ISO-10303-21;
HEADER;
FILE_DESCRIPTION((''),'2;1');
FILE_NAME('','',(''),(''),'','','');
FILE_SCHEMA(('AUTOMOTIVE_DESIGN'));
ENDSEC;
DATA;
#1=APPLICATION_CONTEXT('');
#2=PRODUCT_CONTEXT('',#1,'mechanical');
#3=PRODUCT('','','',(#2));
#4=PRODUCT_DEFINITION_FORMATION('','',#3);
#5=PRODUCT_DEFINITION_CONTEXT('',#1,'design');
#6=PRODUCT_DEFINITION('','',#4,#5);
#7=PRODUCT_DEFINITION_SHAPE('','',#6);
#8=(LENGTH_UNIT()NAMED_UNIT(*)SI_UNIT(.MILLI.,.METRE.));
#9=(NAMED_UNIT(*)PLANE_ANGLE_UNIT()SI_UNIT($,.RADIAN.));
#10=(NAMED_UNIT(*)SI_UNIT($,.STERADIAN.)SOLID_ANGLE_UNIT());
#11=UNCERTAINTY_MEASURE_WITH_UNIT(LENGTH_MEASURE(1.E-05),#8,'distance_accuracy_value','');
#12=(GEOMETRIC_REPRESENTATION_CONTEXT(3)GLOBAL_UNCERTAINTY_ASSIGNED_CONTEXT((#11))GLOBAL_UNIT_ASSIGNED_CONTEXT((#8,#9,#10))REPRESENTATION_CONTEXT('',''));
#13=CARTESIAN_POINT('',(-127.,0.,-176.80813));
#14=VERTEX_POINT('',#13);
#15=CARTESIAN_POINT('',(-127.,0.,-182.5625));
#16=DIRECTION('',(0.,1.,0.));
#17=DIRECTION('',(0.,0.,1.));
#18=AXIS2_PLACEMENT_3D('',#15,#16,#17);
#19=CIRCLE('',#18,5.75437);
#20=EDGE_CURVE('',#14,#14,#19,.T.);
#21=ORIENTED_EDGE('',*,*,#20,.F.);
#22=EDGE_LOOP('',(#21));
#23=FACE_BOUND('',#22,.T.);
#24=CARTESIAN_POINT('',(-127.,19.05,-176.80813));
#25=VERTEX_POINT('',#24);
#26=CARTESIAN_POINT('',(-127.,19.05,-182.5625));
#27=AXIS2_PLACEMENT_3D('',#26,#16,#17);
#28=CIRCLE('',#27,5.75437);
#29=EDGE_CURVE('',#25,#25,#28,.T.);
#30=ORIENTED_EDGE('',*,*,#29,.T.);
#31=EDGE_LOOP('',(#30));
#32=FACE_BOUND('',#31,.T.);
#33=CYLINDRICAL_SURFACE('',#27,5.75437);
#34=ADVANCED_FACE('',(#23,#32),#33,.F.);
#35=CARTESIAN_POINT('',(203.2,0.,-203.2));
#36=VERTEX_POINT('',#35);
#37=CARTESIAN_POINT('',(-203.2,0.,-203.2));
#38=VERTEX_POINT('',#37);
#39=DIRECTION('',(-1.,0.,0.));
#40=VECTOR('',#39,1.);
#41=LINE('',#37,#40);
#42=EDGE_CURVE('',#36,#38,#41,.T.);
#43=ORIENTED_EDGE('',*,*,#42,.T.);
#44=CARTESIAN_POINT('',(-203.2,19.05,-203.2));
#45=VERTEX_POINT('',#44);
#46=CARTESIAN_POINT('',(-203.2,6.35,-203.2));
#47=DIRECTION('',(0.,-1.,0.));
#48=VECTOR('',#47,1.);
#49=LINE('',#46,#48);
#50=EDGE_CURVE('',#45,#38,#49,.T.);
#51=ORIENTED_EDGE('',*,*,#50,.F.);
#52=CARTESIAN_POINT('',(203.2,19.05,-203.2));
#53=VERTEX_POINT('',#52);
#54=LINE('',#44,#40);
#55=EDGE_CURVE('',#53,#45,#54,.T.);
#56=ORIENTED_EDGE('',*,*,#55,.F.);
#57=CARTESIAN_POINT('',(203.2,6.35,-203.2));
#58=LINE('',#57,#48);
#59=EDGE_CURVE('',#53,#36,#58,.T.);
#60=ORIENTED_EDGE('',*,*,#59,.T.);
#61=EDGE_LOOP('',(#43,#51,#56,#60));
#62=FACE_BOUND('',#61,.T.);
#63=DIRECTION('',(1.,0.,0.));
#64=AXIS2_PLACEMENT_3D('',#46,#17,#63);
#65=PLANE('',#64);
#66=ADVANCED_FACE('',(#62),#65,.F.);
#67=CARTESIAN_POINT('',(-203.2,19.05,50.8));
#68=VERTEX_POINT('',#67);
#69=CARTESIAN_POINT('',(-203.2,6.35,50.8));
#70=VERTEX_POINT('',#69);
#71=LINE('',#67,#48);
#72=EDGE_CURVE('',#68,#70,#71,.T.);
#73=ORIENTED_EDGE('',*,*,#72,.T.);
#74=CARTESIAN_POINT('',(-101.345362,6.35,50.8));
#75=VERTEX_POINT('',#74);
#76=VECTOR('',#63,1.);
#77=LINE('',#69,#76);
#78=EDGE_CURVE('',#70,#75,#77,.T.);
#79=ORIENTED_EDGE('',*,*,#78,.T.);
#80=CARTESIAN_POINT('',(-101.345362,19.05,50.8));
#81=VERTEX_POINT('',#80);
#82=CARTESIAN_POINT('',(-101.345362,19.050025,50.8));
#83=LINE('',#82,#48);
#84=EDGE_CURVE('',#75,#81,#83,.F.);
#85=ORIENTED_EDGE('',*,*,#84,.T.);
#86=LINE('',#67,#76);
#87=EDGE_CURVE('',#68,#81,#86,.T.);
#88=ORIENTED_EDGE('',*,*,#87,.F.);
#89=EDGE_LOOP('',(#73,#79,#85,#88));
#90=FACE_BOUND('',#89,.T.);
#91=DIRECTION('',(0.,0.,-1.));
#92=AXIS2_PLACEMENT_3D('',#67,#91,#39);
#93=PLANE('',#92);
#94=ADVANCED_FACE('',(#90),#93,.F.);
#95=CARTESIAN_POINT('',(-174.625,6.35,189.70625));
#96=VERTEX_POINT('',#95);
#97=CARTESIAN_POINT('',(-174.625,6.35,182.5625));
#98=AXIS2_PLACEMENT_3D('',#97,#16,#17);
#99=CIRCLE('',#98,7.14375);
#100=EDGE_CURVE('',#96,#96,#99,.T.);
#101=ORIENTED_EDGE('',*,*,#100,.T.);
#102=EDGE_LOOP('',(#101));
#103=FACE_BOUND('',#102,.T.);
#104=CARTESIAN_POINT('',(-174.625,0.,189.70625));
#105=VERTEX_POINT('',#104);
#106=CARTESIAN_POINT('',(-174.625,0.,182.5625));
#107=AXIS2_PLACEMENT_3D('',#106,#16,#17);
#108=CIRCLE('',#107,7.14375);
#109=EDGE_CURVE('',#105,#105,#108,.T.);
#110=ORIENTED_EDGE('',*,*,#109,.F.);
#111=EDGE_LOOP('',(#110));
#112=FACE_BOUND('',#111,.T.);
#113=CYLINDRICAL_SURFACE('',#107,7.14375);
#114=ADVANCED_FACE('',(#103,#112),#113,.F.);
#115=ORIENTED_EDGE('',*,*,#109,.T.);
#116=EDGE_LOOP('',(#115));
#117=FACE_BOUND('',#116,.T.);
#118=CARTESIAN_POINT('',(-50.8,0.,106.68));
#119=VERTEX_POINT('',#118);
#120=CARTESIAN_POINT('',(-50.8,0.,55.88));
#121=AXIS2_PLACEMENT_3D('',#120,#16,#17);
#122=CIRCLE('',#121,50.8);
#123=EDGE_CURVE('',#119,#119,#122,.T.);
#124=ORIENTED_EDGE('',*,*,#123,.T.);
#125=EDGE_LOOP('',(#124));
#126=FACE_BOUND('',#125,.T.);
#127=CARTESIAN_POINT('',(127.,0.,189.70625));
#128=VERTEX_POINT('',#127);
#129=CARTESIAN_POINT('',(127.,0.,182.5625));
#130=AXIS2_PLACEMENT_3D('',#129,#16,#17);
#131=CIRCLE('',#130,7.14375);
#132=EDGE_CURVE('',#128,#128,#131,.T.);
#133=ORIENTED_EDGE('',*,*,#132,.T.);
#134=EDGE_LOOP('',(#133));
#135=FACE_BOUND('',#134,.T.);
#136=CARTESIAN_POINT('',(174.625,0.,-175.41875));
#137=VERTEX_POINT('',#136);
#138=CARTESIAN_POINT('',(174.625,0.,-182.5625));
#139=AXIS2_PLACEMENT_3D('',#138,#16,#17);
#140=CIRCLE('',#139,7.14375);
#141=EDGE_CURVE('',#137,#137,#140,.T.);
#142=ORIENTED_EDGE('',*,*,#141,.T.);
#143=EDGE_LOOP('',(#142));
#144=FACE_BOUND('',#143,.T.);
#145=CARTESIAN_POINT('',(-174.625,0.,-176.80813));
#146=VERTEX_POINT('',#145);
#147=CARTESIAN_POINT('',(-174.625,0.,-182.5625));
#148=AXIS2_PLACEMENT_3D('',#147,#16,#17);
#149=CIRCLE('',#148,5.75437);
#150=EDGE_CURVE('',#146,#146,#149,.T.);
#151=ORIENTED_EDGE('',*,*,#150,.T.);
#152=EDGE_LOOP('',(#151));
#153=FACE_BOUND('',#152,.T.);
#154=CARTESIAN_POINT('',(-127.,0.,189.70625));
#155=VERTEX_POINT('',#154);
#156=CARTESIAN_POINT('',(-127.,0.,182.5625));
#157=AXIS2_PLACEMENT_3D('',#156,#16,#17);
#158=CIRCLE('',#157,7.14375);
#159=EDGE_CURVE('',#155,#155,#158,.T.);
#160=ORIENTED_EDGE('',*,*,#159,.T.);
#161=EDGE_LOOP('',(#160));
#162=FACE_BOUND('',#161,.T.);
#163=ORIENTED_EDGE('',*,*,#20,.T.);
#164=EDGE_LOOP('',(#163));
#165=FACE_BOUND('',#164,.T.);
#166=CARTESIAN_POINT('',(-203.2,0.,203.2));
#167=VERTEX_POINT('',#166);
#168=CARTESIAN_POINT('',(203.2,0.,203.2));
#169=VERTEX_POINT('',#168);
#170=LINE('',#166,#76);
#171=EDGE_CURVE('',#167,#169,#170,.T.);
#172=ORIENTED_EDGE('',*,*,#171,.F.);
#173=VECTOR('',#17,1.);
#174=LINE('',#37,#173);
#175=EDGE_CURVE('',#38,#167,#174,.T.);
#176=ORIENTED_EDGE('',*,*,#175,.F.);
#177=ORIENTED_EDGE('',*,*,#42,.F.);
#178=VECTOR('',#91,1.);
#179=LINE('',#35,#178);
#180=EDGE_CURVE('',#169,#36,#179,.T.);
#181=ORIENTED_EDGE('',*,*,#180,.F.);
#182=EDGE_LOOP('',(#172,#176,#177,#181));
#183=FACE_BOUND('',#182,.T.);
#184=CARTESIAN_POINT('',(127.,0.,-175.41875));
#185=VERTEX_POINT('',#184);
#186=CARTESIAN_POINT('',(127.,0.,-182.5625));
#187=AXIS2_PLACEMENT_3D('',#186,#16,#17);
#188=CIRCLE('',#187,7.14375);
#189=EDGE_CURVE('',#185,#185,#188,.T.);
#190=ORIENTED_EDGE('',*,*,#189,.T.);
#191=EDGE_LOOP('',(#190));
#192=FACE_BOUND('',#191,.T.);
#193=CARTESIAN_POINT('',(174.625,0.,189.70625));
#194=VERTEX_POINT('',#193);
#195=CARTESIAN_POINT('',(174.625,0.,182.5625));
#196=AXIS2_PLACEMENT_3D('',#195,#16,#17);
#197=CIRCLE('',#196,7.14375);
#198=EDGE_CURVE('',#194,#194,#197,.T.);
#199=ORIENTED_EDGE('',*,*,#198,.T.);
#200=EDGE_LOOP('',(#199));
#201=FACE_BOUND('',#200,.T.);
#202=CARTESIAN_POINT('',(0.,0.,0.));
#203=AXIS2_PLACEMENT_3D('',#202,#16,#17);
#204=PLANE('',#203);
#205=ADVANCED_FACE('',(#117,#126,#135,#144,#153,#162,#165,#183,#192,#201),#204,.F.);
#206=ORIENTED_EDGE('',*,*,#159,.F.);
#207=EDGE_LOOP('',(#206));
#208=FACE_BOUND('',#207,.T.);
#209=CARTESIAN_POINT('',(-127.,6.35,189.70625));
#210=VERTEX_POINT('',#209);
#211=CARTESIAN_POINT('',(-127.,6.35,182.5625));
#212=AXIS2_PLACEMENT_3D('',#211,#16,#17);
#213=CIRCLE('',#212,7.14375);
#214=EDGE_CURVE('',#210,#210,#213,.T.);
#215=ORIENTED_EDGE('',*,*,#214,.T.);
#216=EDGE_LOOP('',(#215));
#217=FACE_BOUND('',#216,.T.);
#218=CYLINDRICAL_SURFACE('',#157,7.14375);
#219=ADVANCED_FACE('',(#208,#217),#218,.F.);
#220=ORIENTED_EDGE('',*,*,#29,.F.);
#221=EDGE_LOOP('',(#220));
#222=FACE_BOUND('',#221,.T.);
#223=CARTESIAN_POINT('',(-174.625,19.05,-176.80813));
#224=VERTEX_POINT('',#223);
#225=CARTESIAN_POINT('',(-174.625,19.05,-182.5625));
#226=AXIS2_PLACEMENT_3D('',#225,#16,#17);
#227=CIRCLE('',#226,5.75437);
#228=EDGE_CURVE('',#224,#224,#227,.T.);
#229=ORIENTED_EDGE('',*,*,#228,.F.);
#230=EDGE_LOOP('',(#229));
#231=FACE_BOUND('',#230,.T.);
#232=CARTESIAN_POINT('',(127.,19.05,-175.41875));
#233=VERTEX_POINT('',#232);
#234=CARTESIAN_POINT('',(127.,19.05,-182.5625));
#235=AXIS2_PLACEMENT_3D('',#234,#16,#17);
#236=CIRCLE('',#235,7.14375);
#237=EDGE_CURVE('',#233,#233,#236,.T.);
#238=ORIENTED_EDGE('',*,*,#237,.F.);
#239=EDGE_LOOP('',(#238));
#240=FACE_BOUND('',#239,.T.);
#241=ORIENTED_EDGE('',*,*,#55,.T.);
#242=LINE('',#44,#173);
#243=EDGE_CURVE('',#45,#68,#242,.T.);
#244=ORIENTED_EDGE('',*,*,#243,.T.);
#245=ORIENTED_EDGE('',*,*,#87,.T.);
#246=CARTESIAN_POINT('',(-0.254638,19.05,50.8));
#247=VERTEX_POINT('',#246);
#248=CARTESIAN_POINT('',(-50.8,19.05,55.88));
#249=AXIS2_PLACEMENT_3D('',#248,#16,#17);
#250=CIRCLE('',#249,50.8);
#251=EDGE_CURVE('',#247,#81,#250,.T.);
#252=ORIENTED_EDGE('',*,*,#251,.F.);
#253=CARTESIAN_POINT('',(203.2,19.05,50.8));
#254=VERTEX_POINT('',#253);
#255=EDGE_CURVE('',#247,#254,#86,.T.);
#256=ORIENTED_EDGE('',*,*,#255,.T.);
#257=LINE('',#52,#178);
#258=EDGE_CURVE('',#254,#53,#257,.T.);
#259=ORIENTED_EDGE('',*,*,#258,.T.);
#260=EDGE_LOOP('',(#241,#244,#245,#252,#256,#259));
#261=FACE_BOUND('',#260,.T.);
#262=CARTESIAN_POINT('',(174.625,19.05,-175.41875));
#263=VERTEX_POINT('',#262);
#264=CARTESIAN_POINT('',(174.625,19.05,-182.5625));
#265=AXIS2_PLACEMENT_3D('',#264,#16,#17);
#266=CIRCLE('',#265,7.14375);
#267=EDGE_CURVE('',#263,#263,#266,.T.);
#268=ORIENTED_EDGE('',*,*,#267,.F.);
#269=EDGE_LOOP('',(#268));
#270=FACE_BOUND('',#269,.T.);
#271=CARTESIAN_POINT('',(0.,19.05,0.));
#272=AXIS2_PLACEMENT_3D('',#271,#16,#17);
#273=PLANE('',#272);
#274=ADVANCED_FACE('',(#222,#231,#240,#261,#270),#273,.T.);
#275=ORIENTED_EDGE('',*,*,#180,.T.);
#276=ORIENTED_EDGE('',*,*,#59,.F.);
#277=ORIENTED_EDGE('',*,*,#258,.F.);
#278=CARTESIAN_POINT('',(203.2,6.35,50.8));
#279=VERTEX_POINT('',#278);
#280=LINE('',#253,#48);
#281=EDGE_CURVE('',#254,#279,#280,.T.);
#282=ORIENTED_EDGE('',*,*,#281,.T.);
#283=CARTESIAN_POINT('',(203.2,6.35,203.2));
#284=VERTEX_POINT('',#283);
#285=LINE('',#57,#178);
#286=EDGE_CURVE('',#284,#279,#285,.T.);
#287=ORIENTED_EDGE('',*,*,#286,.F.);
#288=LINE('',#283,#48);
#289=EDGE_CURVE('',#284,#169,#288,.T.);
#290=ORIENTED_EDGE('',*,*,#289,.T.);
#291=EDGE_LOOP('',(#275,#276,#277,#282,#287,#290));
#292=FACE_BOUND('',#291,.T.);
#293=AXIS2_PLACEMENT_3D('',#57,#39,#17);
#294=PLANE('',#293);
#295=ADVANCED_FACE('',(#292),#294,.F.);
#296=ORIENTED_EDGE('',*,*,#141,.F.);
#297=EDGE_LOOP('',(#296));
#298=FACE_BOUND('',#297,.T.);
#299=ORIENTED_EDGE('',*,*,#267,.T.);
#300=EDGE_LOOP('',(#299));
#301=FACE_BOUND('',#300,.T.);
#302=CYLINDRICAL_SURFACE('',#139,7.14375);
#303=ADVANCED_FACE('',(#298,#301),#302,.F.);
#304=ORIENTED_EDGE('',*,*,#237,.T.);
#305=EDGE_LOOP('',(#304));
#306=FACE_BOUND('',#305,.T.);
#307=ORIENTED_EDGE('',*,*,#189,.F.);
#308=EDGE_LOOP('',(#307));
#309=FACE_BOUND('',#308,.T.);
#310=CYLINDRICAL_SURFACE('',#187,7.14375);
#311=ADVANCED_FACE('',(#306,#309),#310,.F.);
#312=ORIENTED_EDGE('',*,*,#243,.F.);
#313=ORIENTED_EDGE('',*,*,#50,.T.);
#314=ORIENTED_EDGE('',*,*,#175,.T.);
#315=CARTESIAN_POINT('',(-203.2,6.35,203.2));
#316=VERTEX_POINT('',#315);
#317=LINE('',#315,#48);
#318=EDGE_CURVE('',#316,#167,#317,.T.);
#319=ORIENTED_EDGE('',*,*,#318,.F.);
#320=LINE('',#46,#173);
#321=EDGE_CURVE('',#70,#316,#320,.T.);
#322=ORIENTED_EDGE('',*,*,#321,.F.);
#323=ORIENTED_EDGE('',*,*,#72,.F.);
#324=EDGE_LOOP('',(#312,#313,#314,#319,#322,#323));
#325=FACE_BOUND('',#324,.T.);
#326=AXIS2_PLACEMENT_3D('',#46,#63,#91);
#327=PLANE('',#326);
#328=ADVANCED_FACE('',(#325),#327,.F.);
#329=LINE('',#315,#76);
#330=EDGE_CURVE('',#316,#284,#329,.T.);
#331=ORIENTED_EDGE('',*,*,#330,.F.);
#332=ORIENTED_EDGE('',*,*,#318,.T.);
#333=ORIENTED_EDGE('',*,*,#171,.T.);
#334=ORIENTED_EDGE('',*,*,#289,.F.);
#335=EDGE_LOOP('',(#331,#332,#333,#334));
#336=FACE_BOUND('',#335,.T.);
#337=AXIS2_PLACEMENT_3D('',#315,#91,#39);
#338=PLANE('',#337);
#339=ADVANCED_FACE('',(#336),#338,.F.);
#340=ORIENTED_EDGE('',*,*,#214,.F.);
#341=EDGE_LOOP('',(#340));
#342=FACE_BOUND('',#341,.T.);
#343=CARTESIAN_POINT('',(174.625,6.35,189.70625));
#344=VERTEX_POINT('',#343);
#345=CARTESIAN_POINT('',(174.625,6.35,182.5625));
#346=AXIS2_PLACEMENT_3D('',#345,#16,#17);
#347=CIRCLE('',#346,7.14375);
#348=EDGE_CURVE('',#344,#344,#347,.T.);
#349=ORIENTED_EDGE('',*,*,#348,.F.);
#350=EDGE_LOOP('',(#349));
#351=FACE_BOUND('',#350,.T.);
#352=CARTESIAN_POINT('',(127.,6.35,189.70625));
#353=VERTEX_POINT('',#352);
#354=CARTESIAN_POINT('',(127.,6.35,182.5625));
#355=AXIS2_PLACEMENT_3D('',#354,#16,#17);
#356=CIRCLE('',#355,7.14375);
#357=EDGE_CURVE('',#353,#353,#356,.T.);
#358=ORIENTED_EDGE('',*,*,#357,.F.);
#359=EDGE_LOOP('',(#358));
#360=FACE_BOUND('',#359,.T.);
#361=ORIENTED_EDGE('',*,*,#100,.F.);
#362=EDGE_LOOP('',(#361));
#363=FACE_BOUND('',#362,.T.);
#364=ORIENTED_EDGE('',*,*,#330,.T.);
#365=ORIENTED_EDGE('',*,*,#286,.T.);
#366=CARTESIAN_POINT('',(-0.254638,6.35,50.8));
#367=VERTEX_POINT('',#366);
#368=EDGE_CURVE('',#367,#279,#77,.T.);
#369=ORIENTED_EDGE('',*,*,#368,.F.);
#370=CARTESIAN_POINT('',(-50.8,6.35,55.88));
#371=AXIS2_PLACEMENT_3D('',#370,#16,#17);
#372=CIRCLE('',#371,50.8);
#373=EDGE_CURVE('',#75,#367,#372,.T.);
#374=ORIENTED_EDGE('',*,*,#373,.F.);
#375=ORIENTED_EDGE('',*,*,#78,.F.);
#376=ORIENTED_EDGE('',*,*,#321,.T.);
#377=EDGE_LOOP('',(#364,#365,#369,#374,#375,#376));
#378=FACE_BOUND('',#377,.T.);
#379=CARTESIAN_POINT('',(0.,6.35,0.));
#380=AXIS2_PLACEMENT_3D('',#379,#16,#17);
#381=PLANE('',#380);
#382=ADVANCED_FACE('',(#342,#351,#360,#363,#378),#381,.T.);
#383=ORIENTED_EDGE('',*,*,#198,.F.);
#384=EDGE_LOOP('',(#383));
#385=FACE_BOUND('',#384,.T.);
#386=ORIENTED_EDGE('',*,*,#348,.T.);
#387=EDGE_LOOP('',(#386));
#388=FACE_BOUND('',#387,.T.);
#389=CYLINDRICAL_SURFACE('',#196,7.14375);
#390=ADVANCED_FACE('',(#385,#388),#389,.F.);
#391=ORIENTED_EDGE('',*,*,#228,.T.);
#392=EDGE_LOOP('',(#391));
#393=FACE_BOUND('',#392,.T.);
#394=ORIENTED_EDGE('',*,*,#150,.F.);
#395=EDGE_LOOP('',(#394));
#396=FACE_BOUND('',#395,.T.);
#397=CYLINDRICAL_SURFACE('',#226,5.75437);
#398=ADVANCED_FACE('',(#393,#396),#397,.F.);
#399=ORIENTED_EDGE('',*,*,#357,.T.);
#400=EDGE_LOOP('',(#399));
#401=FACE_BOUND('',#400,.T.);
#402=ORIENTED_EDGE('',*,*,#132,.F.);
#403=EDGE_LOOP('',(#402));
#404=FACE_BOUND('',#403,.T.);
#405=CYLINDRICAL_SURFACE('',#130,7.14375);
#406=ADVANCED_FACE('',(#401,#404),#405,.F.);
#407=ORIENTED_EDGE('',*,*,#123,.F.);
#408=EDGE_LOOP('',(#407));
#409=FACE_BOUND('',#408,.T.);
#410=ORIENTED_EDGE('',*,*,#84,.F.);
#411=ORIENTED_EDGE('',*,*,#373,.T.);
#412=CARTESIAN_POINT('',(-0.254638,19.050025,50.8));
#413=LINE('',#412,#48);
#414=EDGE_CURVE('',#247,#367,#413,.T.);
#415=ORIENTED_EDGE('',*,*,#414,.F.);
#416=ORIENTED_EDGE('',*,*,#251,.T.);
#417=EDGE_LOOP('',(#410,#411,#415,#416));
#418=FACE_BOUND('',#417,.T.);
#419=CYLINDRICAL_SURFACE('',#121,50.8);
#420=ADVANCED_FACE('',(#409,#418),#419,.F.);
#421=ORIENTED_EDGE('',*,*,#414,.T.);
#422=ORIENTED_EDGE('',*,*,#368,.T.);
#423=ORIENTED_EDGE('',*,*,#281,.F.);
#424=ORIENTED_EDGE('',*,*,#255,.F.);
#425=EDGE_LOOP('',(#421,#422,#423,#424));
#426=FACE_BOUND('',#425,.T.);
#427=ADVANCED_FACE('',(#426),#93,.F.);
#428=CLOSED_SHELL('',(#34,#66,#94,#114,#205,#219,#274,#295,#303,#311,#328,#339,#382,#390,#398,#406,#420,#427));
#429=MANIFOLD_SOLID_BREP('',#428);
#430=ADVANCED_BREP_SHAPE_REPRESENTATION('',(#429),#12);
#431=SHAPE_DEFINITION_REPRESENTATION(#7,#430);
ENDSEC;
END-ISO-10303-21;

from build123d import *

# Parameters (mm, degrees)
SKETCH1_W               = 406.4
SKETCH1_H               = 406.4
BOSS_EXTRUDE1_DEPTH     = 6.35
SKETCH2_R               = 50.8
CUT_EXTRUDE1_DEPTH      = 6.35
SKETCH3_W               = 406.4
SKETCH3_H               = 254
BOSS_EXTRUDE4_DEPTH     = 12.7
SKETCH6_R               = 50.8
CUT_EXTRUDE3_DEPTH      = 288.998927949
SKETCH7_R               = 7.14375
CUT_EXTRUDE4_DEPTH      = 288.648691984
F_1_2_20_TAPPED_HOLE1_D = 11.50874
SKETCH11_R              = 7.14375
CUT_EXTRUDE5_DEPTH      = 288.998927949


with BuildPart() as part:
    # Sketch1 → Boss-Extrude1 (new body)
    with BuildSketch(Plane(origin=(0, 0, 0), x_dir=(1, 0, 0), z_dir=(0, 1, 0))):
        Rectangle(SKETCH1_W, SKETCH1_H)
    extrude(amount=BOSS_EXTRUDE1_DEPTH)

    # Sketch2 → Cut-Extrude1 (cut)
    with BuildSketch(Plane(origin=(0, 6.35, 0), x_dir=(1, 0, 0), z_dir=(0, 1, 0))):
        with Locations(Location((-50.8, -55.88, 0), (0, 0, 270))):
            Circle(SKETCH2_R)
    extrude(amount=-CUT_EXTRUDE1_DEPTH, mode=Mode.SUBTRACT)

    # Sketch3 → Boss-Extrude4 (add)
    with BuildSketch(Plane(origin=(0, 6.35, 0), x_dir=(1, 0, 0), z_dir=(0, 1, 0))):
        with Locations((0, 76.2)):
            Rectangle(SKETCH3_W, SKETCH3_H)
    extrude(amount=BOSS_EXTRUDE4_DEPTH)

    # Sketch6 → Cut-Extrude3 (cut, through all)
    with BuildSketch(Plane.XZ):
        with Locations(Location((-50.8, 55.88, 0), (0, 0, 90))):
            Circle(SKETCH6_R)
    extrude(amount=-CUT_EXTRUDE3_DEPTH, mode=Mode.SUBTRACT)

    # Sketch7 → Cut-Extrude4 (cut, through all)
    with BuildSketch(Plane(origin=(0, 6.35, 0), x_dir=(1, 0, 0), z_dir=(0, 1, 0))):
        with Locations(Location((174.625, -182.5625, 0), (0, 0, 270))):
            Circle(SKETCH7_R)
        with Locations(Location((127, -182.5625, 0), (0, 0, 270))):
            Circle(SKETCH7_R)
        with Locations(Location((-174.625, -182.5625, 0), (0, 0, 270))):
            Circle(SKETCH7_R)
        with Locations(Location((-127, -182.5625, 0), (0, 0, 270))):
            Circle(SKETCH7_R)
    extrude(amount=-CUT_EXTRUDE4_DEPTH, mode=Mode.SUBTRACT)

    # 1/2-20 Tapped Hole1 (through all)
    with Locations(Plane(origin=(0, 19.05, 0), x_dir=(1, 0, 0), z_dir=(0, 1, 0))):
        with Locations((-174.625, 182.5625), (-127, 182.5625)):
            Hole(F_1_2_20_TAPPED_HOLE1_D / 2)

    # Sketch11 → Cut-Extrude5 (cut, through all)
    with BuildSketch(Plane(origin=(0, 19.05, 0), x_dir=(1, 0, 0), z_dir=(0, 1, 0))):
        with Locations(Location((174.625, 182.5625, 0), (0, 0, 270))):
            Circle(SKETCH11_R)
        with Locations(Location((127, 182.5625, 0), (0, 0, 270))):
            Circle(SKETCH11_R)
    extrude(amount=-CUT_EXTRUDE5_DEPTH, mode=Mode.SUBTRACT)


solid = part.part
